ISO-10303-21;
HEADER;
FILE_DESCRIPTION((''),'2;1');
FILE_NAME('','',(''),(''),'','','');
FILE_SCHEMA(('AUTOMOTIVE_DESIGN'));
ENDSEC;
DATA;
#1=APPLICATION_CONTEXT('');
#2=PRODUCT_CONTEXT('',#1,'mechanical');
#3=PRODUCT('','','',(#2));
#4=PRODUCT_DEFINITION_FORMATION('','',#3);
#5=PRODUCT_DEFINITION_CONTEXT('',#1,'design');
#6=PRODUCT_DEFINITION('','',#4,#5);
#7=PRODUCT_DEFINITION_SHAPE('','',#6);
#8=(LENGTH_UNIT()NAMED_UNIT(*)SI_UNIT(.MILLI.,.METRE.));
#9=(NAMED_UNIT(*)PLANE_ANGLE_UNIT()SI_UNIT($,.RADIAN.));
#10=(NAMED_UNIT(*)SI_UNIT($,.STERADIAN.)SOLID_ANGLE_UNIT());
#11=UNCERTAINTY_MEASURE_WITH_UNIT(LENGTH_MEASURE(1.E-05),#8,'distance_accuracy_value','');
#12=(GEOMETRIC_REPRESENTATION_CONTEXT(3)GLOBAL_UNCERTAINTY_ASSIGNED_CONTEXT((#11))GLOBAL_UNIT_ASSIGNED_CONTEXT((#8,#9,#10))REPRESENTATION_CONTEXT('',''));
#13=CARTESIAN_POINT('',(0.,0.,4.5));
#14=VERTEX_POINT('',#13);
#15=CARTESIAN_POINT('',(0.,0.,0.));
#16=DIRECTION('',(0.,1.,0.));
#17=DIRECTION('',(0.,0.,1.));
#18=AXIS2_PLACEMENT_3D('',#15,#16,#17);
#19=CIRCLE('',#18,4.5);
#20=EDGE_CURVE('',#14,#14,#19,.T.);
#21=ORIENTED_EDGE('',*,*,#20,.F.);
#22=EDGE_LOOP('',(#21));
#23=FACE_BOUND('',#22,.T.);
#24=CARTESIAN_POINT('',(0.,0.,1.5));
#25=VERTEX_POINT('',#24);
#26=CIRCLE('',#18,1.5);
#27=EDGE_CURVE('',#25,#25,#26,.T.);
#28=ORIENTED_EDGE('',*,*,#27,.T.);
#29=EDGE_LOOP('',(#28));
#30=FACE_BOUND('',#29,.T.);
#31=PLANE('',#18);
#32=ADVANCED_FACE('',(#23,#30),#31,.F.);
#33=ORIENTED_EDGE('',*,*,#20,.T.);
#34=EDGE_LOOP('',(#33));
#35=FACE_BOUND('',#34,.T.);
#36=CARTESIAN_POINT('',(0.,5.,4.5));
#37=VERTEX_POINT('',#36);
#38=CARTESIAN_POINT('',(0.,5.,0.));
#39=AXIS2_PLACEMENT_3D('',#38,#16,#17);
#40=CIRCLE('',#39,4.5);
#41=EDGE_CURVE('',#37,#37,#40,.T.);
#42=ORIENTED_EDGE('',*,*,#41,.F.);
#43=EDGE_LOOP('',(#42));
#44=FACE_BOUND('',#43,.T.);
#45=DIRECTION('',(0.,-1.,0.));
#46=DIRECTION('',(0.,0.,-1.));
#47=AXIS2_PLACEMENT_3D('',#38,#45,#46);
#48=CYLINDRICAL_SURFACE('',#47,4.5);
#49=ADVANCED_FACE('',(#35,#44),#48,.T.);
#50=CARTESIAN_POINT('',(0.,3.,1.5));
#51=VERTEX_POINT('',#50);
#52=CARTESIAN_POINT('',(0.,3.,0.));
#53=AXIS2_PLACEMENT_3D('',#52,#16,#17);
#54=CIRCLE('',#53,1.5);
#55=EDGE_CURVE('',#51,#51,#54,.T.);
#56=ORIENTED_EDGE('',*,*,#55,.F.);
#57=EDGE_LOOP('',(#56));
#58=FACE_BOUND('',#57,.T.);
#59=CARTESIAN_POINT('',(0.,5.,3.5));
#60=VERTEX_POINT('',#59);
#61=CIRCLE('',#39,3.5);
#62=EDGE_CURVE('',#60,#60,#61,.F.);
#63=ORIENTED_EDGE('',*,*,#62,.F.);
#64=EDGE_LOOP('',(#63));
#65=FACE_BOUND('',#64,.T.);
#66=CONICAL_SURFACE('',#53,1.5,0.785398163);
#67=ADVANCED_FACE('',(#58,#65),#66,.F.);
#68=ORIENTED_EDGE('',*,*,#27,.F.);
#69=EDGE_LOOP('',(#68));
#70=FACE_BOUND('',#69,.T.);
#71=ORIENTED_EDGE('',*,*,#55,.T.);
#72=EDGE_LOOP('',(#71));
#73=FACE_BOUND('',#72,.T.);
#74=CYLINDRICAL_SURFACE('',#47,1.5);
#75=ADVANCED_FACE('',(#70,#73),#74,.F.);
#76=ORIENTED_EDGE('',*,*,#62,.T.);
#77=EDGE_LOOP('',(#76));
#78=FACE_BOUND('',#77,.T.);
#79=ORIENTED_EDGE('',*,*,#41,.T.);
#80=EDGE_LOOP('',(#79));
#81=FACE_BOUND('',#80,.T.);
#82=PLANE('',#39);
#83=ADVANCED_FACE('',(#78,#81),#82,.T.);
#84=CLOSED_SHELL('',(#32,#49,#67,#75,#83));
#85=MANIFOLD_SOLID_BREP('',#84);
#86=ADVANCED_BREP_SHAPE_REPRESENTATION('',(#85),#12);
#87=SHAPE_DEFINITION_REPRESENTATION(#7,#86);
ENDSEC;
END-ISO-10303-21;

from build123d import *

# Parameters (mm, degrees)
SKETCH1_R           = 4.5
SKETCH1_R_2         = 1.5
BOSS_EXTRUDE1_DEPTH = 5
CHAMFER1_SIZE       = 2


with BuildPart() as part:
    # Sketch1 → Boss-Extrude1 (new body)
    with BuildSketch(Plane(origin=(0, 0, 0), x_dir=(1, 0, 0), z_dir=(0, 1, 0))):
        Circle(SKETCH1_R)
        Circle(SKETCH1_R_2, mode=Mode.SUBTRACT)
    extrude(amount=BOSS_EXTRUDE1_DEPTH)

    # Chamfer1
    chamfer1_edges = [part.edges().sort_by_distance(p)[0] for p in [
        (-1.5, 5, 0),
    ]]
    chamfer(chamfer1_edges, length=CHAMFER1_SIZE)


solid = part.part
